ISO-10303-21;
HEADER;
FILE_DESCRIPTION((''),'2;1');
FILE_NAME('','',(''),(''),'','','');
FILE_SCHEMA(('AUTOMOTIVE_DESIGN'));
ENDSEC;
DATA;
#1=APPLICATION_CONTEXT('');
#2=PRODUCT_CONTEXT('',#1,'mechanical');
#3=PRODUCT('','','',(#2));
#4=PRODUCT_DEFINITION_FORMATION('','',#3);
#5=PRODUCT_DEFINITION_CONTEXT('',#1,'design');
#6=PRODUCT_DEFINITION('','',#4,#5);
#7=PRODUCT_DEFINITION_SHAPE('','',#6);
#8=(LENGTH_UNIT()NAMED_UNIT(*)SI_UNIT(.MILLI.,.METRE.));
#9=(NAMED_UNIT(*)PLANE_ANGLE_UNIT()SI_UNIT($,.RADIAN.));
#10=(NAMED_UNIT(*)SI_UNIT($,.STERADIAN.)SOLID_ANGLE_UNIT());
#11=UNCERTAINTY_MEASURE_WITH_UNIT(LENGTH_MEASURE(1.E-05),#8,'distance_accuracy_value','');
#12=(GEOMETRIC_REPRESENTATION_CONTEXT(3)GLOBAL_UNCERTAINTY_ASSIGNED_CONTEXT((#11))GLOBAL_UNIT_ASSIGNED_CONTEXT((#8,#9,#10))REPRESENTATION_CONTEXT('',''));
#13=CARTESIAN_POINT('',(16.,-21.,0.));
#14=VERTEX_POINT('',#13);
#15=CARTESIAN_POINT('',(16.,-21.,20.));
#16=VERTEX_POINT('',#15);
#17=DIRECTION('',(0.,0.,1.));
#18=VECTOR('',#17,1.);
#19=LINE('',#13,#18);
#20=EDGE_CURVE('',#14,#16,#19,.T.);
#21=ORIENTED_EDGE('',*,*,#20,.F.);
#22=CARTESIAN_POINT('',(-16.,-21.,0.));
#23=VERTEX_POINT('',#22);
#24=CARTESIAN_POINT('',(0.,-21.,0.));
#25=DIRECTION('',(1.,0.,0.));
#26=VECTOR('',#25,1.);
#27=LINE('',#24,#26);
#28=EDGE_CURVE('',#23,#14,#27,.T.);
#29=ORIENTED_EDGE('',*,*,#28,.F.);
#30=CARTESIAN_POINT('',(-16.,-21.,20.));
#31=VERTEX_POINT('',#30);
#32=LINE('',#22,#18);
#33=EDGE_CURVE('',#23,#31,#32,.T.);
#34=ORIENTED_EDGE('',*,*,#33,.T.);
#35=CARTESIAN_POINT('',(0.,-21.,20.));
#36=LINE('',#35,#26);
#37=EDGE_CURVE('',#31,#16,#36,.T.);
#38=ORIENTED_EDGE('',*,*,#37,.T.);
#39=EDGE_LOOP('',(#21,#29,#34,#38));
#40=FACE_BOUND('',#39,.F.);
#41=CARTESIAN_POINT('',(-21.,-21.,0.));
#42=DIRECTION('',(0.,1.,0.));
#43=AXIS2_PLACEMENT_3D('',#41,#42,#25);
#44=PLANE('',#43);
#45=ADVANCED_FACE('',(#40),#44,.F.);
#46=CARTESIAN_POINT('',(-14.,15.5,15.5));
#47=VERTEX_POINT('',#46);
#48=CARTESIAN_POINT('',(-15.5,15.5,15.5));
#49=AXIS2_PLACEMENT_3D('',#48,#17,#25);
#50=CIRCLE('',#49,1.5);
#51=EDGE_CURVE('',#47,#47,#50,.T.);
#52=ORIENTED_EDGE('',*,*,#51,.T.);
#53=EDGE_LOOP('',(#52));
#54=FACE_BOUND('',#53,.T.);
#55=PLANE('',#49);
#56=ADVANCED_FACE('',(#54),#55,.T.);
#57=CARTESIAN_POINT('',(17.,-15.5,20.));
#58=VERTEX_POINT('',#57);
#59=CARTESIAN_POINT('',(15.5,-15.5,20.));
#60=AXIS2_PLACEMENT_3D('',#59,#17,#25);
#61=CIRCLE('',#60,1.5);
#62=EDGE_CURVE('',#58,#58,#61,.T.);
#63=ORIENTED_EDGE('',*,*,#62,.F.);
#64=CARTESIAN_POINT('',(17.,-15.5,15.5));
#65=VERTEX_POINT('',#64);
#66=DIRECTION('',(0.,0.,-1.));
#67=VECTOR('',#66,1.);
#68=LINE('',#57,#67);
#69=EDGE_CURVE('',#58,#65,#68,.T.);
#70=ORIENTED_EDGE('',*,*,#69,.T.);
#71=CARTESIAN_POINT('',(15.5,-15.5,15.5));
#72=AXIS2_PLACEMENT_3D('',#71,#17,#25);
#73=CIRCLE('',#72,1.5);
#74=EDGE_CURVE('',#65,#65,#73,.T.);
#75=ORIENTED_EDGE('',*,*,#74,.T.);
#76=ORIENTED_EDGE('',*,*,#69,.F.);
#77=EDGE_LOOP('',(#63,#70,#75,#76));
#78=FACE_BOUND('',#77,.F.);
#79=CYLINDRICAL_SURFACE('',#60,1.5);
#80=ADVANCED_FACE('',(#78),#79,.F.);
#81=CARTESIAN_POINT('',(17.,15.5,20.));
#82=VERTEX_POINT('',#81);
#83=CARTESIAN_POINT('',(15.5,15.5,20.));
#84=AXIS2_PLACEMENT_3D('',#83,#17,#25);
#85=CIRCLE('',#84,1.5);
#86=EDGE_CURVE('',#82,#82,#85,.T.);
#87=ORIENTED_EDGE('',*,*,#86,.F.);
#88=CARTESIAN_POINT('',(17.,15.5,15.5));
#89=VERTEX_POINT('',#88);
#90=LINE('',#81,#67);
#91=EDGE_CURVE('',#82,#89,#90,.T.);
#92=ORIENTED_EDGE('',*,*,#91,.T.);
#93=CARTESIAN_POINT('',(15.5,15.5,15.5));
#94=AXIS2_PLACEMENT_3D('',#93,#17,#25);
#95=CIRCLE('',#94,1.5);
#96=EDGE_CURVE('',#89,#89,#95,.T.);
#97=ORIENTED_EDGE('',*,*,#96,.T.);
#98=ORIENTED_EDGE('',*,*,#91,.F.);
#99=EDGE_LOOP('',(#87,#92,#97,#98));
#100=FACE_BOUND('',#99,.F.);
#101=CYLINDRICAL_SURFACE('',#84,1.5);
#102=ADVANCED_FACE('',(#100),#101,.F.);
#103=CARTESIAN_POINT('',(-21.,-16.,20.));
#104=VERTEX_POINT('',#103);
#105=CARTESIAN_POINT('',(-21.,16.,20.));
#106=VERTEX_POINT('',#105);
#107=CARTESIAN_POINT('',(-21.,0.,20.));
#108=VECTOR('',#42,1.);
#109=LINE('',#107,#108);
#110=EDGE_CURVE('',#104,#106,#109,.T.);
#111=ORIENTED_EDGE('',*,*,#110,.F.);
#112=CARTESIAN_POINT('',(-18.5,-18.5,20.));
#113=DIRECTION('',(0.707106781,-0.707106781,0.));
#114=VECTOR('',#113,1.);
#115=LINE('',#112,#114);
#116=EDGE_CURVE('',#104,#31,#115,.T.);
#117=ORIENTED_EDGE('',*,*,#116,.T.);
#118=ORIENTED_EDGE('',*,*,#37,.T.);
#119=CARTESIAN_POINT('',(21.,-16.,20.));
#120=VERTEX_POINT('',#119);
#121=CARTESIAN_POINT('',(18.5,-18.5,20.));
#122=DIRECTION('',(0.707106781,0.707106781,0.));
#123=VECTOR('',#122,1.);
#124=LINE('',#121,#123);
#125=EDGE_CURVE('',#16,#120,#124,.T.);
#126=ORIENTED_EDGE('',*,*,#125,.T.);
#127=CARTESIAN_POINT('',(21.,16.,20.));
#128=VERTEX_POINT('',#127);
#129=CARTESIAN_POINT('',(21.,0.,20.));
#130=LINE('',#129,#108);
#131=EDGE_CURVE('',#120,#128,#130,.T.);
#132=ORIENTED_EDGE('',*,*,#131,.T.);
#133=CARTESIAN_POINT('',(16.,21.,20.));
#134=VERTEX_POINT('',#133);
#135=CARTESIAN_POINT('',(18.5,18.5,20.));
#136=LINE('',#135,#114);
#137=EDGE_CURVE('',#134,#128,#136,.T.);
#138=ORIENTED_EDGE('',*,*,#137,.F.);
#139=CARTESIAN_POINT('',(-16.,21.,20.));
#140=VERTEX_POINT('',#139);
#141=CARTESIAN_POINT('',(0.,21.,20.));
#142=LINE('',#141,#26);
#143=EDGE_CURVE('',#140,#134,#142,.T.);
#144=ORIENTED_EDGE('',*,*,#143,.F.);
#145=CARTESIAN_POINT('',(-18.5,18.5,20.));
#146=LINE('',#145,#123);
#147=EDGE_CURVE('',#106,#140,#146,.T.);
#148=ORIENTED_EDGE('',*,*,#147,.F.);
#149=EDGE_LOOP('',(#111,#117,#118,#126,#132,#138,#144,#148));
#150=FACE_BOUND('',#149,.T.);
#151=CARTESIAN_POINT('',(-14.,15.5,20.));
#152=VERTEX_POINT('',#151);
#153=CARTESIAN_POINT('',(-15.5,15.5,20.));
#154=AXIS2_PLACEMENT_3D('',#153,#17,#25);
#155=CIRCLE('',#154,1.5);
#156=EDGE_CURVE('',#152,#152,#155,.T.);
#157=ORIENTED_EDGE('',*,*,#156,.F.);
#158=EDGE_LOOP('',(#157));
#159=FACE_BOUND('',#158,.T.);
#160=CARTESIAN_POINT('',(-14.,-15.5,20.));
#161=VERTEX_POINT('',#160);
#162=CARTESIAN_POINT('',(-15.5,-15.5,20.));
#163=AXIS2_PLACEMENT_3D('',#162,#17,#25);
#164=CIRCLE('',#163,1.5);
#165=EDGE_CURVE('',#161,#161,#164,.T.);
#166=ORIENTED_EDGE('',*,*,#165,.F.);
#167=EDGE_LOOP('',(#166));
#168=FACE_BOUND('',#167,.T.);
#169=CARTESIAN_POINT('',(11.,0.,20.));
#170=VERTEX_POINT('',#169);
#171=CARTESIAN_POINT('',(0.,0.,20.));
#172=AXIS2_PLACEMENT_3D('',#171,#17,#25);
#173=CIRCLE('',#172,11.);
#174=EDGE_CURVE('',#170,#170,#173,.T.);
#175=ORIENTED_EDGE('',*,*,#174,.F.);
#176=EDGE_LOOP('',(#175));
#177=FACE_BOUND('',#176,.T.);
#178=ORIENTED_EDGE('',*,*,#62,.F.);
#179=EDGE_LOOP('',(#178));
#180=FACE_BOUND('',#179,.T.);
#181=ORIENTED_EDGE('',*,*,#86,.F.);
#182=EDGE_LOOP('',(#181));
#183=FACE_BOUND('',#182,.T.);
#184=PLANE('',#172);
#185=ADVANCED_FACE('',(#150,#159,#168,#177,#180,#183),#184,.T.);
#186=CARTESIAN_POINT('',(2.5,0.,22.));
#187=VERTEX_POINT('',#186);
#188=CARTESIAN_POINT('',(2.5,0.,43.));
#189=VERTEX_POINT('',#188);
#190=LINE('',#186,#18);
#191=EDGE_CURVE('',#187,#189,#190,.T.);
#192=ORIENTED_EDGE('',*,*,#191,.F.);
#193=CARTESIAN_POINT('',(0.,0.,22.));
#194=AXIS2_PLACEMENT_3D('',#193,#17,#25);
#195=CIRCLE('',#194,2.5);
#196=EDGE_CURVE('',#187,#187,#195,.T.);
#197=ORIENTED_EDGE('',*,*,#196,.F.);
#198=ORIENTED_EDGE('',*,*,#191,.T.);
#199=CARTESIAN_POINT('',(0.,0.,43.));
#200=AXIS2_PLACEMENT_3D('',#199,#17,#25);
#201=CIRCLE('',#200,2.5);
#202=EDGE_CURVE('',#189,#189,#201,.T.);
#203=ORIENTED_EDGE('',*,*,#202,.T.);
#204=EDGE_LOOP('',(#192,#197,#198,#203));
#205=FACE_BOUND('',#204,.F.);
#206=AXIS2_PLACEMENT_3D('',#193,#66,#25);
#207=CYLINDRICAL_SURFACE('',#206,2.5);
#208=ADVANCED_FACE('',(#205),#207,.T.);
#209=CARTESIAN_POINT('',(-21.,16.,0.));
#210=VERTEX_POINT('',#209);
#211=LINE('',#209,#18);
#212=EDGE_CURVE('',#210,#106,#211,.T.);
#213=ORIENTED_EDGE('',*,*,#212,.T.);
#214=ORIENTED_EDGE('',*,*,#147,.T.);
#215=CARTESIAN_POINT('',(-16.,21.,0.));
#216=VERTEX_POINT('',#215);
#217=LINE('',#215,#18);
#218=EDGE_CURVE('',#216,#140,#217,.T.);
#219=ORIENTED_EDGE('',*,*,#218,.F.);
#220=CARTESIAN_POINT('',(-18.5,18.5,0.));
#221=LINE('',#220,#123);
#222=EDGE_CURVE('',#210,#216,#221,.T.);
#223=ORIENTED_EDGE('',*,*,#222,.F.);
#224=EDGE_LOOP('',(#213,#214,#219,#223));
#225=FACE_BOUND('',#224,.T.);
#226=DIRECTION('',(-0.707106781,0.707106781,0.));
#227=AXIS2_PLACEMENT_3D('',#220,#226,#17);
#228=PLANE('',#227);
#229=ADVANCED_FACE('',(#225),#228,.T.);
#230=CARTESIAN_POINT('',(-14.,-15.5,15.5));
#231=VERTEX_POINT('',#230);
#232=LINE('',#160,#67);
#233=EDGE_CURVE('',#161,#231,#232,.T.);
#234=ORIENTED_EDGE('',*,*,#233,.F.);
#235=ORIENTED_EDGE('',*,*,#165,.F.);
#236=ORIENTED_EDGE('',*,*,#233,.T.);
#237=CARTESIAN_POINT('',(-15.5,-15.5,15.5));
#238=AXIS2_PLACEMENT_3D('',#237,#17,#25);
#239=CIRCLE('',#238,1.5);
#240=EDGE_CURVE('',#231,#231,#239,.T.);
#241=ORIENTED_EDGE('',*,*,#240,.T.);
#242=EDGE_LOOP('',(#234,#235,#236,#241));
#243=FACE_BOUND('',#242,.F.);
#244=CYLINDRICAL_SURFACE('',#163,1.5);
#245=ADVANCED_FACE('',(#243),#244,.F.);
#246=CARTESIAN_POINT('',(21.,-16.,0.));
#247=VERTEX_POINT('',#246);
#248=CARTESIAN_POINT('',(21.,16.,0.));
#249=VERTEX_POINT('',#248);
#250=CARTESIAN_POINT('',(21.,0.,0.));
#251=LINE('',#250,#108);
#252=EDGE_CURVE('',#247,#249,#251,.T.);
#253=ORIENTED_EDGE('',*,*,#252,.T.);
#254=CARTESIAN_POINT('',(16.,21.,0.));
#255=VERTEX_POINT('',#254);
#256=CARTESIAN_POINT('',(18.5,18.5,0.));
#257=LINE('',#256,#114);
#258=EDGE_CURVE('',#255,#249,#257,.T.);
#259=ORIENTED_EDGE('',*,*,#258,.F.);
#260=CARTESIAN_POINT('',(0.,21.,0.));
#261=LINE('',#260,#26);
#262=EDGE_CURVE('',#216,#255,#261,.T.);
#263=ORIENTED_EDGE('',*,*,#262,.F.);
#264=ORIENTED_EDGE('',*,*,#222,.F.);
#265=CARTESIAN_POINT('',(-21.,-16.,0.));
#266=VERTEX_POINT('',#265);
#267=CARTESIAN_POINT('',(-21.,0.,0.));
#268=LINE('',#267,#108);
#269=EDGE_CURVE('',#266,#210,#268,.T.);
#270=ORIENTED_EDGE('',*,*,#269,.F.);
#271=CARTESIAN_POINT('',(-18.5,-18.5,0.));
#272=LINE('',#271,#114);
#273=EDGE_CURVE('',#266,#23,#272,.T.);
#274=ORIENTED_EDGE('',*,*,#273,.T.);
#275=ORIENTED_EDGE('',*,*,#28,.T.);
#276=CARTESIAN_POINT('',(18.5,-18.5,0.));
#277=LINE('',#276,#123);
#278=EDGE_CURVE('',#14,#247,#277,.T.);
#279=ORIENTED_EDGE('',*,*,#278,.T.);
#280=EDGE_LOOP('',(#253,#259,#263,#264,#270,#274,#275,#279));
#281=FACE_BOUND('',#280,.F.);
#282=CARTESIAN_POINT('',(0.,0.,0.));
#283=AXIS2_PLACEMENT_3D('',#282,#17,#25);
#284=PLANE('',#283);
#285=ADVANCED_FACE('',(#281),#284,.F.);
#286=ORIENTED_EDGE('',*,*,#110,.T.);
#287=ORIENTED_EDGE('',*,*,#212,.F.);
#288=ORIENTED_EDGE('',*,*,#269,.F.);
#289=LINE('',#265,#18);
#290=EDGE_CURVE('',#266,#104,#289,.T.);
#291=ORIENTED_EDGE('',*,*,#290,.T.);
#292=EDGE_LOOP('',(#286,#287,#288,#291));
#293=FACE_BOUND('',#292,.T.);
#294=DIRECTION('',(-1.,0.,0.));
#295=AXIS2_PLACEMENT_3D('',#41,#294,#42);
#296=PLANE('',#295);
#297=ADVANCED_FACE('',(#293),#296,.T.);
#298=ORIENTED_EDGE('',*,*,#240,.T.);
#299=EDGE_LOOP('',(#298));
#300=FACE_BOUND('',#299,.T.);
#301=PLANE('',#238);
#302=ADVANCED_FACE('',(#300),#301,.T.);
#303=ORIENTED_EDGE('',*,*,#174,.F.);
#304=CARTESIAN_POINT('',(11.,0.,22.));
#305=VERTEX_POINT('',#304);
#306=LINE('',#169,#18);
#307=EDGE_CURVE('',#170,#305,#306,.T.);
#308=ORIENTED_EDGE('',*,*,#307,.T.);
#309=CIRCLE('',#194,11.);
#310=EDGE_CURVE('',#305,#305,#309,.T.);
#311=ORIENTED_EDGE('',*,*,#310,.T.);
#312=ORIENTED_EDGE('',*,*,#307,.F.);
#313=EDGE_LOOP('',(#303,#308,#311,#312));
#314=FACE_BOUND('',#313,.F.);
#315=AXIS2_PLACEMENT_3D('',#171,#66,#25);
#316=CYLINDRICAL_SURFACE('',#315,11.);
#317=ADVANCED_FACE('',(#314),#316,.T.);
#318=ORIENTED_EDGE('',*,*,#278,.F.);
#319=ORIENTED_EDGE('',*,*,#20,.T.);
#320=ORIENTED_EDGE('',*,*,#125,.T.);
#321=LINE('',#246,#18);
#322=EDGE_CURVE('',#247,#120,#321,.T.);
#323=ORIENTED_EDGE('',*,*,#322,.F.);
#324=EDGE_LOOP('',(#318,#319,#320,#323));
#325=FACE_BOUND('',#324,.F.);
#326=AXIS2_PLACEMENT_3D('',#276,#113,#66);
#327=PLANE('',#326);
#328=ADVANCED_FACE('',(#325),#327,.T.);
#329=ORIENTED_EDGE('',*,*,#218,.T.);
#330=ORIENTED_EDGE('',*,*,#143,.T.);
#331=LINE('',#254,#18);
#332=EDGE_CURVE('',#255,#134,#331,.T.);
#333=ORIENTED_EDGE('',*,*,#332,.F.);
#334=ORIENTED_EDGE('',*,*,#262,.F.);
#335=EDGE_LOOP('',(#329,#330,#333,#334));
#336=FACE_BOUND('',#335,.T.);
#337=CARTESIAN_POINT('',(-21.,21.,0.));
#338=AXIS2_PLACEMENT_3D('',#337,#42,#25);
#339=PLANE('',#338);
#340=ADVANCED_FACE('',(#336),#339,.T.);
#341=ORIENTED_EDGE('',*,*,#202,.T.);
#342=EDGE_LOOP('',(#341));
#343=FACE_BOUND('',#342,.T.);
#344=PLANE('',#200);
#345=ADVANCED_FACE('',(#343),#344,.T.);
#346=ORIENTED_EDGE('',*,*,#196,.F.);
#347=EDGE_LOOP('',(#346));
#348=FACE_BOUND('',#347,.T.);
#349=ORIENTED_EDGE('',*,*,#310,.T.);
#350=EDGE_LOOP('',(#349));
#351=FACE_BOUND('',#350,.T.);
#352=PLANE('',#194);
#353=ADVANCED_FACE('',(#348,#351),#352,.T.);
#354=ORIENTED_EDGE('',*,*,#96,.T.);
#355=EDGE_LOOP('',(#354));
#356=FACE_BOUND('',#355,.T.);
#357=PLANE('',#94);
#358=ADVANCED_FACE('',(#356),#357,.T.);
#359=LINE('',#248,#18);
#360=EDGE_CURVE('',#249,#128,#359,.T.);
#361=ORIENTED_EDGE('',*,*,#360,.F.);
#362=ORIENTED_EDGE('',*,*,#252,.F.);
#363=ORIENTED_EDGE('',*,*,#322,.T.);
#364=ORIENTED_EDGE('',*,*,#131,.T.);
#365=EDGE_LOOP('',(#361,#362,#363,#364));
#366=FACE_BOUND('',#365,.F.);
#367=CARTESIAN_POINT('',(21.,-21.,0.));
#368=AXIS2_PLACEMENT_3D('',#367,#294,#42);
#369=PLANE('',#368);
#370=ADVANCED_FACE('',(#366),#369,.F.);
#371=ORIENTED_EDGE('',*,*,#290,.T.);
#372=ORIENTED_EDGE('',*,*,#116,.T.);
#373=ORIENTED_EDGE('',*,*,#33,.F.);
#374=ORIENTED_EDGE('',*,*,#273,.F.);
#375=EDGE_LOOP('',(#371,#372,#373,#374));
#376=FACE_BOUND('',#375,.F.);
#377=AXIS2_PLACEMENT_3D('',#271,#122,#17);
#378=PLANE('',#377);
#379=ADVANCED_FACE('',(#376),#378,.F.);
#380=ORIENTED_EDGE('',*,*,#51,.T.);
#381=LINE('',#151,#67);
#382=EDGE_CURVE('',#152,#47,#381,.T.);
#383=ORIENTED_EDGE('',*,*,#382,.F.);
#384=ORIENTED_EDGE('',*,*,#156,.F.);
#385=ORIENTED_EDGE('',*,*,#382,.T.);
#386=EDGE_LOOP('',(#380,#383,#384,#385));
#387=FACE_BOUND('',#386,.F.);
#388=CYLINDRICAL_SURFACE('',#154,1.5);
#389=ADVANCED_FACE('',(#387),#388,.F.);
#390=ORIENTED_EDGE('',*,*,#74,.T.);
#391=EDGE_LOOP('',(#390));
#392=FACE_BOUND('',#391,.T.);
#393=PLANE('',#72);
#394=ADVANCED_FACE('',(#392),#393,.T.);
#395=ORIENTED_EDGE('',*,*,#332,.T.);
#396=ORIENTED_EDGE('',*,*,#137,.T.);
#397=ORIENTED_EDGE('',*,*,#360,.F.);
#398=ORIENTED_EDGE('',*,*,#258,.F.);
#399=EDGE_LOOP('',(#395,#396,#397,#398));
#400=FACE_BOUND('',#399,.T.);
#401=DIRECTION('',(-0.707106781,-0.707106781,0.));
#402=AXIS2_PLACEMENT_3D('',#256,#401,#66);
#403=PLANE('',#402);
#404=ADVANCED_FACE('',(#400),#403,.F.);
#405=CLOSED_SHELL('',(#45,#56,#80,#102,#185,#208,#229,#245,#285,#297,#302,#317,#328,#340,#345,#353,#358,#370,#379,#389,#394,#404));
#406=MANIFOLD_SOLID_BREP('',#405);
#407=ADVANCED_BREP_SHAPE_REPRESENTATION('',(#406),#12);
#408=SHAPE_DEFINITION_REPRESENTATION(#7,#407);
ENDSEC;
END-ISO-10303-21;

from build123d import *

# Parameters (mm, degrees)
F0_W     = 42
F0_H     = 42
F1_DEPTH = 20
F2_R     = 11
F3_DEPTH = 2
F4_R     = 2.5
F5_DEPTH = 21
F6_R     = 1.5
F7_DEPTH = 4.5
F8_SIZE  = 5


with BuildPart() as f1:
    # F0 (on Top) → F1 (new body)
    with BuildSketch(Plane.XY):
        Rectangle(F0_W, F0_H)
    extrude(amount=F1_DEPTH)

    # F2 (on face) → F3 (join)
    with BuildSketch(Plane.XY.offset(20)):
        Circle(F2_R)
    extrude(amount=F3_DEPTH)

    # F4 (on face) → F5 (join)
    with BuildSketch(Plane.XY.offset(22)):
        Circle(F4_R)
    extrude(amount=F5_DEPTH)

    # F6 (on face) → F7 (cut)
    with BuildSketch(Plane.XY.offset(20)):
        with Locations((-15.5, 15.5)):
            Circle(F6_R)
        with Locations((-15.5, -15.5)):
            Circle(F6_R)
        with Locations((15.5, 15.5)):
            Circle(F6_R)
        with Locations((15.5, -15.5)):
            Circle(F6_R)
    extrude(amount=-F7_DEPTH, mode=Mode.SUBTRACT)

    # F8
    f8_edges = [f1.edges().sort_by_distance(p)[0] for p in [
        (21, 21, 10),
        (21, -21, 10),
        (-21, -21, 10),
        (-21, 21, 10),
    ]]
    chamfer(f8_edges, length=F8_SIZE)


solid = f1.part
